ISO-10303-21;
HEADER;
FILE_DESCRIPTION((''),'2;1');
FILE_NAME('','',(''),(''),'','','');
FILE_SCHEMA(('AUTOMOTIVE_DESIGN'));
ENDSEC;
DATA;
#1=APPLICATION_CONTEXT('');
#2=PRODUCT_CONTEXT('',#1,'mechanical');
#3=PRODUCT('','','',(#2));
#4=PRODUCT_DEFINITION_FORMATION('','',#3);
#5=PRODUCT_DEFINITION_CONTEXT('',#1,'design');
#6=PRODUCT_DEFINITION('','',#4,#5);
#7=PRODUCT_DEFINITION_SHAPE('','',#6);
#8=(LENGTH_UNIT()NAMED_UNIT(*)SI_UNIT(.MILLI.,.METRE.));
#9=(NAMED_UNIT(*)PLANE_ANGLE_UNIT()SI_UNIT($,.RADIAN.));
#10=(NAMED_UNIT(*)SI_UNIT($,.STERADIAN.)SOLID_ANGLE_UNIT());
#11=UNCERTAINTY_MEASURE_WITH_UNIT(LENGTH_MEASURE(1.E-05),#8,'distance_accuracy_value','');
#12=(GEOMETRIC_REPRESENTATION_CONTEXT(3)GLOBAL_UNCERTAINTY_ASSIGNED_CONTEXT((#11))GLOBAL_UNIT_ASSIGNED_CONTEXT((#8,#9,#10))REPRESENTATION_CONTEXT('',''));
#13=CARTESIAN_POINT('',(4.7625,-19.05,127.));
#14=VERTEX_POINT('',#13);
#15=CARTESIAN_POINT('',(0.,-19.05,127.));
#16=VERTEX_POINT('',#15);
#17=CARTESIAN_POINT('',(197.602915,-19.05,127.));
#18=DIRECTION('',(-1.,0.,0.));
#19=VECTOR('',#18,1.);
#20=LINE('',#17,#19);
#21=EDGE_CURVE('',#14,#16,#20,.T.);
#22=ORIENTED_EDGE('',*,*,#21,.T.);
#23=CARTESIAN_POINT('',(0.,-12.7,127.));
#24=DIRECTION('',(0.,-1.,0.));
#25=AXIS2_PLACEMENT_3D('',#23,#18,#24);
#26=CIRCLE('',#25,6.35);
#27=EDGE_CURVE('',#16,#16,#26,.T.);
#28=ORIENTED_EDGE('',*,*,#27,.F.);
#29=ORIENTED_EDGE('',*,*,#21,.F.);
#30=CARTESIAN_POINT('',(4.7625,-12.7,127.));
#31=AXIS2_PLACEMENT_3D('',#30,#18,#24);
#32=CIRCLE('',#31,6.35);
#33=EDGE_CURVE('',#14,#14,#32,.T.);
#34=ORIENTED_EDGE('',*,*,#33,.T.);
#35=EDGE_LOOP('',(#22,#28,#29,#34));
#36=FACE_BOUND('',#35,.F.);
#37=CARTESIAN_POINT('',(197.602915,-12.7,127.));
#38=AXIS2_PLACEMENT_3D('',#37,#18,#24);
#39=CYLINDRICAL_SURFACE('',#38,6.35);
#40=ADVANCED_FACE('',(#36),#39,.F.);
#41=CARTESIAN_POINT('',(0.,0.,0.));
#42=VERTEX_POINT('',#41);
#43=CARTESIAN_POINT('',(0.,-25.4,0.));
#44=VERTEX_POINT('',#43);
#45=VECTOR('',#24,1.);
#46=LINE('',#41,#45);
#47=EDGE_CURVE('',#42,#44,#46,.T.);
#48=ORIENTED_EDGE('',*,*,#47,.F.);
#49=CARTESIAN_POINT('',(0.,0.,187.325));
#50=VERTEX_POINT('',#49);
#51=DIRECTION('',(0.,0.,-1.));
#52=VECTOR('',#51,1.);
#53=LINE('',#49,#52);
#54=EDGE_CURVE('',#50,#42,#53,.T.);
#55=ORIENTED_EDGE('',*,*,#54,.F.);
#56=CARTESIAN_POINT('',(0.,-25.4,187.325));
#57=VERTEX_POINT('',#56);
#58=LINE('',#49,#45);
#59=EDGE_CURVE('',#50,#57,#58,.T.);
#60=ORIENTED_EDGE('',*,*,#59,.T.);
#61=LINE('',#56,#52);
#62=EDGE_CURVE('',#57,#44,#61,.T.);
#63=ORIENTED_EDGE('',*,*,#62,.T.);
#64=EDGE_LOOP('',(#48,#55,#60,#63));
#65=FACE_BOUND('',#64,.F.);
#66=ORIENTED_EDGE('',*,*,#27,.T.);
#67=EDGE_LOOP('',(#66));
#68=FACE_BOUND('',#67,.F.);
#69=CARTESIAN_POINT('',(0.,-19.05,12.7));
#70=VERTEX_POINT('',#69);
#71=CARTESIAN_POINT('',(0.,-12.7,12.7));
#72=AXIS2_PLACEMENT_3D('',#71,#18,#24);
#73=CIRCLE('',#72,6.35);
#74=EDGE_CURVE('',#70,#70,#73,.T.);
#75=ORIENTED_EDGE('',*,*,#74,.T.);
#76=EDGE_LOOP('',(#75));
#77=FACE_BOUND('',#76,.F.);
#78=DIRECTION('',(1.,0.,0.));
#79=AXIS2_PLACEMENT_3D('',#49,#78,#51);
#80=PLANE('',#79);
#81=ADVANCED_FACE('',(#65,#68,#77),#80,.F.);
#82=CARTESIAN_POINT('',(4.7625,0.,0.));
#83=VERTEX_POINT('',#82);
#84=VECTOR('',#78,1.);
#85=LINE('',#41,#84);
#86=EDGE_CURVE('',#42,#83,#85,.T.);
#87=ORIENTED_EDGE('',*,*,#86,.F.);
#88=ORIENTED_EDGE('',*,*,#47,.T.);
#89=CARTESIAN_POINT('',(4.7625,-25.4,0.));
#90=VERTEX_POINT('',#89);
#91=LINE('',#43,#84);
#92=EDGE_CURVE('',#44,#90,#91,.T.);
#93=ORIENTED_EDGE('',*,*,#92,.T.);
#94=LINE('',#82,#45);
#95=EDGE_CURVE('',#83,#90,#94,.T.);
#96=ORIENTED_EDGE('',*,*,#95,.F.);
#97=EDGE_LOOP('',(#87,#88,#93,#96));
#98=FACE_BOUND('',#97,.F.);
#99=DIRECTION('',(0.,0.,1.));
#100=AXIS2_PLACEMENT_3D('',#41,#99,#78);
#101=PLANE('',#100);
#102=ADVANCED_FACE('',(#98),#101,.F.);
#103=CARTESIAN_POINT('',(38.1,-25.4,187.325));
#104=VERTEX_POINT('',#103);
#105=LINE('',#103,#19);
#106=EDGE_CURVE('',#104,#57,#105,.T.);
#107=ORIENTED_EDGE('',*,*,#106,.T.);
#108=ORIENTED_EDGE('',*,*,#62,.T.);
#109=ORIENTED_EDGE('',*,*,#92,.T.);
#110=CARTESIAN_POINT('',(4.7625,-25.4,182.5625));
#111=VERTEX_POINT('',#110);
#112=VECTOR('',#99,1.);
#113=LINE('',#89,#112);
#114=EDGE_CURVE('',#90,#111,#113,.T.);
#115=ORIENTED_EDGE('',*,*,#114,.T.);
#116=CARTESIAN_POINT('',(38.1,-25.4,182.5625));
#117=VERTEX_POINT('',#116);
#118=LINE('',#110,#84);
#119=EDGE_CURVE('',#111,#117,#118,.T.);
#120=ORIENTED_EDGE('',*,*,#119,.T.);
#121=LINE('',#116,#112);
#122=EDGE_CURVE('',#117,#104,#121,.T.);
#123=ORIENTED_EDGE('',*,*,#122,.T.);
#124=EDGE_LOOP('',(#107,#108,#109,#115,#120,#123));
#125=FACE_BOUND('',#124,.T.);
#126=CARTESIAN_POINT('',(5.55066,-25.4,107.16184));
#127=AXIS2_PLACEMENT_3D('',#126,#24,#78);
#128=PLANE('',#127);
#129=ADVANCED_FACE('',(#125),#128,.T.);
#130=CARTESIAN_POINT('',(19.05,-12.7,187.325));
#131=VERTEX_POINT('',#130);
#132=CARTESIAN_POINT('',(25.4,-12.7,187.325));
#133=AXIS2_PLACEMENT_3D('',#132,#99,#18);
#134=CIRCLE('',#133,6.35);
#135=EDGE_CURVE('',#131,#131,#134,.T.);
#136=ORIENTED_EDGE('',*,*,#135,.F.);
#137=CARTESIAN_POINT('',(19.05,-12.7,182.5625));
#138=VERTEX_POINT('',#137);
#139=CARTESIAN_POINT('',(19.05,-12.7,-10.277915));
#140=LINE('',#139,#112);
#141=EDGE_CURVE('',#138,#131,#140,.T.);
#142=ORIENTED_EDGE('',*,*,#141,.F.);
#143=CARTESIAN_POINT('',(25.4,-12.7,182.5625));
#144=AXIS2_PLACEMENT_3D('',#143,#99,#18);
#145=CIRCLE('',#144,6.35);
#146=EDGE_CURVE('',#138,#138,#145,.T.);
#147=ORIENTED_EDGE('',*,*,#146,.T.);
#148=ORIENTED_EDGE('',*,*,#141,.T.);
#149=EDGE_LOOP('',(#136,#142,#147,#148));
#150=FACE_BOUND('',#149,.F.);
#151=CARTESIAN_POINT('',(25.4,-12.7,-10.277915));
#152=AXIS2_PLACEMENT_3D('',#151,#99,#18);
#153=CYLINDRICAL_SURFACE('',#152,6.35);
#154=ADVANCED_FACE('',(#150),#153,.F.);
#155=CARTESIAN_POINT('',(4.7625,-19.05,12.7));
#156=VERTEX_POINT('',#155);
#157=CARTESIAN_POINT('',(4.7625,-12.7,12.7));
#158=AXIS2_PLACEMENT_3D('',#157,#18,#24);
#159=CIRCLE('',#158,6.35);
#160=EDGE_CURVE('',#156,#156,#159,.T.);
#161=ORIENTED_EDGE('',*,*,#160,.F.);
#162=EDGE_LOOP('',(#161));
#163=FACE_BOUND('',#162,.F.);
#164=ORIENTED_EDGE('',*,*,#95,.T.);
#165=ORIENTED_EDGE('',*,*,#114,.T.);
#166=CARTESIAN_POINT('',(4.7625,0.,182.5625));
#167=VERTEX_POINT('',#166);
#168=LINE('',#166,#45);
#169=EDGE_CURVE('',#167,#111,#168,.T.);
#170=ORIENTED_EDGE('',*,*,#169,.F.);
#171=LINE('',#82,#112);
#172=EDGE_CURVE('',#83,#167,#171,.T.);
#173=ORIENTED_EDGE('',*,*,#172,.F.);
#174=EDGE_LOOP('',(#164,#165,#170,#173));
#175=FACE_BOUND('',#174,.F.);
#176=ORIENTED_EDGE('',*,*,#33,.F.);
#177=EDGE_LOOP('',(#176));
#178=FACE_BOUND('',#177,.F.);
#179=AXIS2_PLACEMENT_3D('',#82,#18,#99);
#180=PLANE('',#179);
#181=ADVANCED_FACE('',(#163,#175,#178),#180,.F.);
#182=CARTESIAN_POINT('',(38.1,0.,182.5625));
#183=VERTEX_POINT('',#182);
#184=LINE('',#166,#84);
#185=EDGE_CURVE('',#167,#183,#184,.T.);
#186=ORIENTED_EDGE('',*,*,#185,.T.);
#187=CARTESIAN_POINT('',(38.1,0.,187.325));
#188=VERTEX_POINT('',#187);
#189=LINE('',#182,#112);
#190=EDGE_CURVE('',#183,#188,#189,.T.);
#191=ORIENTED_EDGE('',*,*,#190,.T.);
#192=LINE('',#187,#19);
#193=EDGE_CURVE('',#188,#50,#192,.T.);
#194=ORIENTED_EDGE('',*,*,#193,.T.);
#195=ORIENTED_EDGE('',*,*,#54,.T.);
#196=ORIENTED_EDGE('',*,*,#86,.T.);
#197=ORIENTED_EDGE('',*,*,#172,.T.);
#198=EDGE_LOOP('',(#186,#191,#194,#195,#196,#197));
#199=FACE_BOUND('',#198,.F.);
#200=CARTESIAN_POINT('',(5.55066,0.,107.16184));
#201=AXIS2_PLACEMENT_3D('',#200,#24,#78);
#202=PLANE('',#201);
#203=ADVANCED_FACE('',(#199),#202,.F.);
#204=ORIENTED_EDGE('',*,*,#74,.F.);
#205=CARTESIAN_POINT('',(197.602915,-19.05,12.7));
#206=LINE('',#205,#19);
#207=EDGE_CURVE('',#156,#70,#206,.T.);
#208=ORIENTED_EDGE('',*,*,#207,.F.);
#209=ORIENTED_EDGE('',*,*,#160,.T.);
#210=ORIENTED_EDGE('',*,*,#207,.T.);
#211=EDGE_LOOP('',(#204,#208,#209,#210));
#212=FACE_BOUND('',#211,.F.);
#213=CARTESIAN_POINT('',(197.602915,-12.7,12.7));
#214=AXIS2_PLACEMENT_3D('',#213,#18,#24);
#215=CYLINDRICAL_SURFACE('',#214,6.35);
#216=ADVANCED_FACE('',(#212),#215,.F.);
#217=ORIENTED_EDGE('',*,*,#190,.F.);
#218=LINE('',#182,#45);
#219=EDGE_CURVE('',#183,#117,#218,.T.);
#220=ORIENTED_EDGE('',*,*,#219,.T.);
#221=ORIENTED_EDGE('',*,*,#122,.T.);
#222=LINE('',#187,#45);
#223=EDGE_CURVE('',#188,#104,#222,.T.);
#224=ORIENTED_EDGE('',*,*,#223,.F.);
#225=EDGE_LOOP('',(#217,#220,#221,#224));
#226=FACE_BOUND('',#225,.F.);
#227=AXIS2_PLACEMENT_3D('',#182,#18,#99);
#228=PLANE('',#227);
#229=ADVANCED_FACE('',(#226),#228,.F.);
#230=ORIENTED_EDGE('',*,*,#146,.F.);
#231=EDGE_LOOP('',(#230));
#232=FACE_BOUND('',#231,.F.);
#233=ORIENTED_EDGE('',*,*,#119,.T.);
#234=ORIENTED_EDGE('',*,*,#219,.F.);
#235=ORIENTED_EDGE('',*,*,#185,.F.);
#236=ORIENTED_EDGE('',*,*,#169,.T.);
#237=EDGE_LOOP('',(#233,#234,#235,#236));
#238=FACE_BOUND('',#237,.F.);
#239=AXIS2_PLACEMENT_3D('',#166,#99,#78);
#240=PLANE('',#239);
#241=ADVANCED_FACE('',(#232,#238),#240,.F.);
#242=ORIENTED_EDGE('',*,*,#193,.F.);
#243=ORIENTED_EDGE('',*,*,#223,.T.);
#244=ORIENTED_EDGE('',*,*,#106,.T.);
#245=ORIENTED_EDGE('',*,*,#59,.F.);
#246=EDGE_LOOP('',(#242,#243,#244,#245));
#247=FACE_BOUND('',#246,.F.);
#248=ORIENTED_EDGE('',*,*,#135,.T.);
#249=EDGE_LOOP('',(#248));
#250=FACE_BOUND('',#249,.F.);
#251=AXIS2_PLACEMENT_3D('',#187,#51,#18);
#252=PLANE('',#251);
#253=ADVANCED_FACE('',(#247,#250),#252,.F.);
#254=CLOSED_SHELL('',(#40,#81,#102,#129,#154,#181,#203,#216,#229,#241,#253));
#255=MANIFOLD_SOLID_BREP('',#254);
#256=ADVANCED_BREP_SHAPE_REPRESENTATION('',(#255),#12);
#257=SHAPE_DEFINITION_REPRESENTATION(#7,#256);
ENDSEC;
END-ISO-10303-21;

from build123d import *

# Parameters (mm, degrees)
F1_DEPTH = 25.4
F3_D     = 12.7
F5_D     = 12.7


with BuildPart() as f1:
    # F0 (on Front) → F1 (new body)
    with BuildSketch(Plane.XZ):
        Polygon((0, 187.325), (0, 0), (4.7625, 0), (4.7625, 182.5625), (38.1, 182.5625), (38.1, 187.325), align=None)
    extrude(amount=F1_DEPTH)

    # F3 (through all)
    with Locations(Plane.YZ.offset(4.7625)):
        with Locations((-12.7, 127), (-12.7, 12.7)):
            Hole(F3_D / 2)

    # F5 (through all)
    with Locations(Plane(origin=(0, 0, 182.5625), x_dir=(1, 0, 0), z_dir=(0, 0, -1))):
        with Locations((25.4, 12.7)):
            Hole(F5_D / 2)


solid = f1.part
